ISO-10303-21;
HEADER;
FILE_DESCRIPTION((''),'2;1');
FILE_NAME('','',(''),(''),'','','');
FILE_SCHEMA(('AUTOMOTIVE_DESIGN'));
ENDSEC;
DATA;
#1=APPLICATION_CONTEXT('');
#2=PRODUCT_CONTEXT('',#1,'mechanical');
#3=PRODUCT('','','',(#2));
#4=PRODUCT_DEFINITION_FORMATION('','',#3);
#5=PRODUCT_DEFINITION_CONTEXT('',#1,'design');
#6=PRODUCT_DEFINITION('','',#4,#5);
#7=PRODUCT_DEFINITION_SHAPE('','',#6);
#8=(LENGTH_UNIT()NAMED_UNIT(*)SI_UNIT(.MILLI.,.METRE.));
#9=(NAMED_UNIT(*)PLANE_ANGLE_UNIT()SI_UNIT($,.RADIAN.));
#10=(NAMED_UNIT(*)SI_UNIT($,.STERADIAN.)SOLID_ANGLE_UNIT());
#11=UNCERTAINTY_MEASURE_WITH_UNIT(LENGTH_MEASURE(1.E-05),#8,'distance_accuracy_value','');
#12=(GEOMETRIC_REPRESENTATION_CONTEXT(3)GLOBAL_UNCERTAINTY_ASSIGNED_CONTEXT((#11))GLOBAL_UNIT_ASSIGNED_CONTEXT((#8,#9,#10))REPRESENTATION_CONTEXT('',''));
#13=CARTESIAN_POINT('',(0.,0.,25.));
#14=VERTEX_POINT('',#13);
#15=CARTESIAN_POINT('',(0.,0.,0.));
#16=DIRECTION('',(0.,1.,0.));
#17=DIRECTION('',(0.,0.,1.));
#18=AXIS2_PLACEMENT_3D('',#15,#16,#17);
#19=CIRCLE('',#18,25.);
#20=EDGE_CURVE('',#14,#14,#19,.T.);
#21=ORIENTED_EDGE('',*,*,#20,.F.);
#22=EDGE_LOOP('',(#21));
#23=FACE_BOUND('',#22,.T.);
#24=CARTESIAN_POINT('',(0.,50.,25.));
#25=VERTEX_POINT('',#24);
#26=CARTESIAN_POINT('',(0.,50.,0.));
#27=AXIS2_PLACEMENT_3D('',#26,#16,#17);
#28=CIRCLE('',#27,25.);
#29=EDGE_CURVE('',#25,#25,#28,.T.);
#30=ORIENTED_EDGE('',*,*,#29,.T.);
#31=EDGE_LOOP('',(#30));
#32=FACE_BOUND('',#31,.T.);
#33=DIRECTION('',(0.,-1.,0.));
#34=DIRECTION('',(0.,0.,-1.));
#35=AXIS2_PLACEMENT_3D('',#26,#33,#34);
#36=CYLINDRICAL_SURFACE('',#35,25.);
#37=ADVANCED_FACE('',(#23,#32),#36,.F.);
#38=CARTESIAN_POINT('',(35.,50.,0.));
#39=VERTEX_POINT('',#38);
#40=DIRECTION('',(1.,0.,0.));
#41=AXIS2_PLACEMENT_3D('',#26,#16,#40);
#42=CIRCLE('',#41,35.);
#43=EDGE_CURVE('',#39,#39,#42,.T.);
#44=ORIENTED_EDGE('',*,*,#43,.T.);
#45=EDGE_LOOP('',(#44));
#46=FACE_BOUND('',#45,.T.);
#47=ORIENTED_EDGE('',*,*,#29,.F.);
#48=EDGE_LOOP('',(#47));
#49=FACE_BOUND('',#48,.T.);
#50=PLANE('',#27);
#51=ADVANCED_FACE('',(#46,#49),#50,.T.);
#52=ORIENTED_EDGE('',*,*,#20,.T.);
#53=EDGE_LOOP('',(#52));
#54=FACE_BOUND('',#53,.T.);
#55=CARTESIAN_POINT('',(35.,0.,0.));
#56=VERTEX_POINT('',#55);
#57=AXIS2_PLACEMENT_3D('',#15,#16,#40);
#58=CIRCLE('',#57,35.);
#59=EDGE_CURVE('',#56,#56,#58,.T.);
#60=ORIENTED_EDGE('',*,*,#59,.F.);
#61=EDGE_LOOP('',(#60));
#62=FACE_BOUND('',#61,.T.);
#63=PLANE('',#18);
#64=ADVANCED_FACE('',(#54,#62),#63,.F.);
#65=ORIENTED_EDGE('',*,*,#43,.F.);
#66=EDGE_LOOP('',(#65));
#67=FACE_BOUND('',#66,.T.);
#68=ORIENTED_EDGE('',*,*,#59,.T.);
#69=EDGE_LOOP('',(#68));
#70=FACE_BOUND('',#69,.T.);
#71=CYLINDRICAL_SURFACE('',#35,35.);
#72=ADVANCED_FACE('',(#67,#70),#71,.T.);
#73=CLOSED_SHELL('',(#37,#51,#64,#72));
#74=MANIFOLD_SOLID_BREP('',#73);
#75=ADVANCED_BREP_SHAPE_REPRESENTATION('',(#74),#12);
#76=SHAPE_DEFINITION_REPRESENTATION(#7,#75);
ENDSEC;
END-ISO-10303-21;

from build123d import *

# Parameters (mm, degrees)
SKETCH_1_R      = 35
SKETCH_1_R_2    = 25
EXTRUDE_1_DEPTH = 50


with BuildPart() as part:
    # Эскиз1 → Вытянуть-Тонкостенный1 (new body)
    with BuildSketch(Plane(origin=(0, 0, 0), x_dir=(1, 0, 0), z_dir=(0, 1, 0))):
        Circle(SKETCH_1_R)
        Circle(SKETCH_1_R_2, mode=Mode.SUBTRACT)
    extrude(amount=EXTRUDE_1_DEPTH)


solid = part.part
